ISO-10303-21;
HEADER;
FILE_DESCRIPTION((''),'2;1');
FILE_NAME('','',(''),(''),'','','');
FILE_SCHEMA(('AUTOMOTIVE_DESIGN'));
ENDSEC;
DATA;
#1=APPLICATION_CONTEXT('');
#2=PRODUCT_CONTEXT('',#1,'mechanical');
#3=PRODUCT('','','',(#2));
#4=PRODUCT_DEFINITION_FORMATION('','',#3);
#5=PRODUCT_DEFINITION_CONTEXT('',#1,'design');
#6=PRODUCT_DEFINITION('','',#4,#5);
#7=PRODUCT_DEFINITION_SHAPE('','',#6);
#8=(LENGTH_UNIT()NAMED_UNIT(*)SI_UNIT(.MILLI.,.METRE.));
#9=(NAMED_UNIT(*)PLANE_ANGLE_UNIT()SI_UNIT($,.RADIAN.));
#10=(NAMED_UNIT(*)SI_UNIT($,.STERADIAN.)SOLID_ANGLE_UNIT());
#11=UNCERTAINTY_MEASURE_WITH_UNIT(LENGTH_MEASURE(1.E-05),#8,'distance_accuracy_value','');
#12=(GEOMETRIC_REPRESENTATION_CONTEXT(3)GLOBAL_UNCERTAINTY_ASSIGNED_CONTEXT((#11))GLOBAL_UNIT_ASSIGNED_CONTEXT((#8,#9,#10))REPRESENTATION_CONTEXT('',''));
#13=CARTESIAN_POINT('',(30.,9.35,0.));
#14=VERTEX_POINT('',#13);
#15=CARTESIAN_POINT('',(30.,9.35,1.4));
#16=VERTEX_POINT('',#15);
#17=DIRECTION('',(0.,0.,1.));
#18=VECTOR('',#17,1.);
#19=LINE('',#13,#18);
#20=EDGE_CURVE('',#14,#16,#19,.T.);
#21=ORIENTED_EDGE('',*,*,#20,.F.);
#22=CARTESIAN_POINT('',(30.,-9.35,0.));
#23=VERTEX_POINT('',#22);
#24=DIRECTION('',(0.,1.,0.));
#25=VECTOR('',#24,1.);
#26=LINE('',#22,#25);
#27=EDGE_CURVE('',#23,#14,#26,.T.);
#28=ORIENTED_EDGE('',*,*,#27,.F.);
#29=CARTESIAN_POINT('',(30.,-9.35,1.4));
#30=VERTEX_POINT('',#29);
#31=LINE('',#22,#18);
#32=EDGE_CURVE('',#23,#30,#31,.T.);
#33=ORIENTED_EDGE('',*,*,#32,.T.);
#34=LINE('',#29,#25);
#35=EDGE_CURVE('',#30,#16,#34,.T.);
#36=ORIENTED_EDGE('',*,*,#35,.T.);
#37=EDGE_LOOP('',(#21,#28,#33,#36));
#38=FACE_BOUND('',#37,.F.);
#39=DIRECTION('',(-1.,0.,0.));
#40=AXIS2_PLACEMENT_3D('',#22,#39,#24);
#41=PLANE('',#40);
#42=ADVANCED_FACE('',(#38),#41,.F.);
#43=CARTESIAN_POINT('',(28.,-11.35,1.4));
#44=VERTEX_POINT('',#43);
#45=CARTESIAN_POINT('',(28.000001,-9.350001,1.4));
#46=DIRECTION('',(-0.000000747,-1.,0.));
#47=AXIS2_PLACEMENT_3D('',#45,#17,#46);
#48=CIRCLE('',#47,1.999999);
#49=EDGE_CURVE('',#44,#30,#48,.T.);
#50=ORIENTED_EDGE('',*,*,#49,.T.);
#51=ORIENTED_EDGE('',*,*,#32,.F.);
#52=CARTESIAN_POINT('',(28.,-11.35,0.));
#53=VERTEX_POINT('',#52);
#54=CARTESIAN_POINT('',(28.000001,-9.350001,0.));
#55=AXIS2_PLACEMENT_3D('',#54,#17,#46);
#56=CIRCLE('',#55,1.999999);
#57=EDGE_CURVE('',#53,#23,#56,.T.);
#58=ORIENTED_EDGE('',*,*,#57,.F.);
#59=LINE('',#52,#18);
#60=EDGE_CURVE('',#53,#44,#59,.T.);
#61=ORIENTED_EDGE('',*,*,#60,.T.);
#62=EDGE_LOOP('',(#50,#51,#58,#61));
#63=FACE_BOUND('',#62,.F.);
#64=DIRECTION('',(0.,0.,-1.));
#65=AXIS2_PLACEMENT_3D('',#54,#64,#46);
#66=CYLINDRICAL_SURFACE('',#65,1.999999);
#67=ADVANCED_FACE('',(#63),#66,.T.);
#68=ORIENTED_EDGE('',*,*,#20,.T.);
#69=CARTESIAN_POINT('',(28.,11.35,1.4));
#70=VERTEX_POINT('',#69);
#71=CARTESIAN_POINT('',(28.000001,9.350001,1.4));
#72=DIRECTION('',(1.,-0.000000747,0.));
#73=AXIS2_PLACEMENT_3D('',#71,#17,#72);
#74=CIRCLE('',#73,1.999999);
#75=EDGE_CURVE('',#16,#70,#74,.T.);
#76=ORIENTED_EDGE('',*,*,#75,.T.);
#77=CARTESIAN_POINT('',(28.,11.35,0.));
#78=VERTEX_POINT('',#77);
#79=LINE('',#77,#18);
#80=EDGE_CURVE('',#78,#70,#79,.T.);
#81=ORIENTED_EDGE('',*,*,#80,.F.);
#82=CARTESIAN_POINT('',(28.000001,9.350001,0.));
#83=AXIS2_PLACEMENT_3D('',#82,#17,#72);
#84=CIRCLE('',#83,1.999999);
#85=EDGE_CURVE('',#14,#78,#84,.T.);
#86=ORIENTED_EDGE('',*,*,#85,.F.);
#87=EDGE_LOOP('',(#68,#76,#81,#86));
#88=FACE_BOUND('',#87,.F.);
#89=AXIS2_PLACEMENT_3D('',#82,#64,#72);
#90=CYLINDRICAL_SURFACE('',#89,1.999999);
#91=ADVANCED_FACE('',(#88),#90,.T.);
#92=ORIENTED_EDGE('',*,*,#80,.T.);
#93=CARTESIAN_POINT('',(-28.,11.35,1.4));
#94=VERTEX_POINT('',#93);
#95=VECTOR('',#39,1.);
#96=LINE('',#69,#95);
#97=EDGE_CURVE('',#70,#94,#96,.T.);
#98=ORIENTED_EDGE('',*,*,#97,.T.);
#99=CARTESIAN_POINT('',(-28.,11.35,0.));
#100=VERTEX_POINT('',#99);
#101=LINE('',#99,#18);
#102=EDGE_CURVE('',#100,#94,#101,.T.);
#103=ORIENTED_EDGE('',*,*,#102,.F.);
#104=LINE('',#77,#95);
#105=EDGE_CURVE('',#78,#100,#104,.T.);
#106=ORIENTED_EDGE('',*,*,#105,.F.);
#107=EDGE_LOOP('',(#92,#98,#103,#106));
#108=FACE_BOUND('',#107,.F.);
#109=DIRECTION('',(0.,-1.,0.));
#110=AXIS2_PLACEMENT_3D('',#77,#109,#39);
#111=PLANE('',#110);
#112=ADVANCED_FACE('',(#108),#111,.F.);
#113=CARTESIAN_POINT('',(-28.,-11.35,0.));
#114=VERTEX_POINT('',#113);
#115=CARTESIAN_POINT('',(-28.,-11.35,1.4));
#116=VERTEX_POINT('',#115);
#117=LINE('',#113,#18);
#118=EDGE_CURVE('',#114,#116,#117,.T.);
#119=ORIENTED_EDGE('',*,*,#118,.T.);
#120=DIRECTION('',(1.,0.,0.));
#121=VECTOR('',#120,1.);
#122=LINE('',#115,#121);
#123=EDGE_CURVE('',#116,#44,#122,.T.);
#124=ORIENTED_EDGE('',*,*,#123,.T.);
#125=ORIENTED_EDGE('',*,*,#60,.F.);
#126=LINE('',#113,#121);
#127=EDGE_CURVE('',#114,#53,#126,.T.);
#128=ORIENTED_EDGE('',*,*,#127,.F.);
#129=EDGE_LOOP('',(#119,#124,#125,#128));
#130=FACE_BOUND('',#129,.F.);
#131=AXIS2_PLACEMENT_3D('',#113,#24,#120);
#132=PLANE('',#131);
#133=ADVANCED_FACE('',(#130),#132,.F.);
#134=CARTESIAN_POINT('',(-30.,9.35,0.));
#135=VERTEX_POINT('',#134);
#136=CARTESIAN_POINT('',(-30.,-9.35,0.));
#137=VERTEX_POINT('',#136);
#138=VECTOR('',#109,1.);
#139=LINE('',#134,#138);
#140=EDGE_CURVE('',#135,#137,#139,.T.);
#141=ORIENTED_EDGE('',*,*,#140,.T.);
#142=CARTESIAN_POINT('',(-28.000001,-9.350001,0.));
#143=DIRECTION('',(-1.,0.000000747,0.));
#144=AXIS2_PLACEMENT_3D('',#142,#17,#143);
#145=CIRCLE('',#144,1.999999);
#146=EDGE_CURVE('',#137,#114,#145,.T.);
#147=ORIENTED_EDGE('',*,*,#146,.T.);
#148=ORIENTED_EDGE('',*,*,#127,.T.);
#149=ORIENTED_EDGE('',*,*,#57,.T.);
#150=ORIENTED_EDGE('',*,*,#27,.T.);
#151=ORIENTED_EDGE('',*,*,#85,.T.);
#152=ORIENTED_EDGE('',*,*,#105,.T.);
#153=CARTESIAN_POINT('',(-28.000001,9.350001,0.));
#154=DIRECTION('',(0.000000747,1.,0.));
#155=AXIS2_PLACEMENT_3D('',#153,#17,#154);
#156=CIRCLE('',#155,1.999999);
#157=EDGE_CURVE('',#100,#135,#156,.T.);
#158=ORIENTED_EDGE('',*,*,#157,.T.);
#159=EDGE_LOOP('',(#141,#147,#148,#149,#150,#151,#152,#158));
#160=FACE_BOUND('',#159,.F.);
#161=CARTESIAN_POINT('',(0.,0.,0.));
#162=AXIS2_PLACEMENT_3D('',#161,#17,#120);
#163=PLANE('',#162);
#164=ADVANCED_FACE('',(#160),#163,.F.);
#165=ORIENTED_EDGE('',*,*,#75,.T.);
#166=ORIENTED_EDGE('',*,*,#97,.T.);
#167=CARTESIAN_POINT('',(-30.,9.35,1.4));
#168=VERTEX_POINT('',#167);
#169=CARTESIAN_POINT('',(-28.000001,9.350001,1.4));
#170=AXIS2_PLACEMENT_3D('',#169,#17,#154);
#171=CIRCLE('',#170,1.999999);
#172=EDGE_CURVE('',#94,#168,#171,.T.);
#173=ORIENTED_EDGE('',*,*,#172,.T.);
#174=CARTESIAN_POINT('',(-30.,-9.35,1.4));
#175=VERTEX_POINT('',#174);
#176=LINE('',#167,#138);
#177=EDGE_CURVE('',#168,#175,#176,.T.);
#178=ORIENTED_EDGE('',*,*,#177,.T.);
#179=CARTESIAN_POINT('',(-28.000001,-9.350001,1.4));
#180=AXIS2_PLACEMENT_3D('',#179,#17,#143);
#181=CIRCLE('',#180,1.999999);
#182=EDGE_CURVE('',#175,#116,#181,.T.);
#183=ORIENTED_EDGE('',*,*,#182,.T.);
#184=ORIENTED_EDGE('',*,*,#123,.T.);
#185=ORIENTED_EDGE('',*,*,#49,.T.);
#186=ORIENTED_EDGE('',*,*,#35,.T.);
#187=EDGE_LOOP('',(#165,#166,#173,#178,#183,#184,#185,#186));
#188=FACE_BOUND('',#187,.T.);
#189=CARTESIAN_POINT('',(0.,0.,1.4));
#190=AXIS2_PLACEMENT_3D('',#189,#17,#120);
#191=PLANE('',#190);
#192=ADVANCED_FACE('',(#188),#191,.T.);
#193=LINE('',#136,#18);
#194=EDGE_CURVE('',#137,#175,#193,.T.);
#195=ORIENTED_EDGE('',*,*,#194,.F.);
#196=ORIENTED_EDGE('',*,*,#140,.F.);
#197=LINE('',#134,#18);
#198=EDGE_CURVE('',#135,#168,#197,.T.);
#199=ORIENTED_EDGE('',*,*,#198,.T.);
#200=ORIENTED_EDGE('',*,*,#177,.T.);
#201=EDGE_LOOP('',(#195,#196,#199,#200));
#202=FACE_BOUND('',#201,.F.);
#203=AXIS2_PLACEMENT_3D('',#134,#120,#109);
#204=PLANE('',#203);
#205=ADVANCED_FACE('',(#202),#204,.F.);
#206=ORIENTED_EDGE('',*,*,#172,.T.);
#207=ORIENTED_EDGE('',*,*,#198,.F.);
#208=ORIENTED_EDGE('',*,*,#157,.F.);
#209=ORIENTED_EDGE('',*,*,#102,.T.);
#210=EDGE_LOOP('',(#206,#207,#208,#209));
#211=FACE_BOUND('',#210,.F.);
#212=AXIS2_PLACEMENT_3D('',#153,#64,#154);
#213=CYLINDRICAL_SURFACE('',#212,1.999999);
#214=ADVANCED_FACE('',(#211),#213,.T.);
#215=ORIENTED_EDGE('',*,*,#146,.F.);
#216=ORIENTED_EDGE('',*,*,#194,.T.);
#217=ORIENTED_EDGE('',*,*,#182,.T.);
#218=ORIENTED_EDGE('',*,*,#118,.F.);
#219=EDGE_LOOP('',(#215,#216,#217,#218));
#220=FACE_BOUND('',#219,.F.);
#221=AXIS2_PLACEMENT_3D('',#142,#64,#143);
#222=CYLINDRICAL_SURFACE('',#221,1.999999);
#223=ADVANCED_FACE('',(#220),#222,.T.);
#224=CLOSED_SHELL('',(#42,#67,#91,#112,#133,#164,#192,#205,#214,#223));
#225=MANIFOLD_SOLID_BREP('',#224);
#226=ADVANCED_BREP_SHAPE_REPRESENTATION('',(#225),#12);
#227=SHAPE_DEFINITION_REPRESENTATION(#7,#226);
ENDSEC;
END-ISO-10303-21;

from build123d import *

# Parameters (mm, degrees)
PAD_DEPTH = 1.4


with BuildPart() as part:
    # Sketch → Pad (new body)
    with BuildSketch(Plane.XY):
        with BuildLine():
            Line((-30, 9.35), (-30, -9.35))
            ThreePointArc((-30, -9.35), (-29.414214, -10.764214), (-28, -11.35))
            Line((-28, -11.35), (28, -11.35))
            ThreePointArc((28, -11.35), (29.414214, -10.764214), (30, -9.35))
            Line((30, -9.35), (30, 9.35))
            ThreePointArc((30, 9.35), (29.414214, 10.764214), (28, 11.35))
            Line((28, 11.35), (-28, 11.35))
            ThreePointArc((-28, 11.35), (-29.414214, 10.764214), (-30, 9.35))
        make_face()
    extrude(amount=PAD_DEPTH)


solid = part.part
